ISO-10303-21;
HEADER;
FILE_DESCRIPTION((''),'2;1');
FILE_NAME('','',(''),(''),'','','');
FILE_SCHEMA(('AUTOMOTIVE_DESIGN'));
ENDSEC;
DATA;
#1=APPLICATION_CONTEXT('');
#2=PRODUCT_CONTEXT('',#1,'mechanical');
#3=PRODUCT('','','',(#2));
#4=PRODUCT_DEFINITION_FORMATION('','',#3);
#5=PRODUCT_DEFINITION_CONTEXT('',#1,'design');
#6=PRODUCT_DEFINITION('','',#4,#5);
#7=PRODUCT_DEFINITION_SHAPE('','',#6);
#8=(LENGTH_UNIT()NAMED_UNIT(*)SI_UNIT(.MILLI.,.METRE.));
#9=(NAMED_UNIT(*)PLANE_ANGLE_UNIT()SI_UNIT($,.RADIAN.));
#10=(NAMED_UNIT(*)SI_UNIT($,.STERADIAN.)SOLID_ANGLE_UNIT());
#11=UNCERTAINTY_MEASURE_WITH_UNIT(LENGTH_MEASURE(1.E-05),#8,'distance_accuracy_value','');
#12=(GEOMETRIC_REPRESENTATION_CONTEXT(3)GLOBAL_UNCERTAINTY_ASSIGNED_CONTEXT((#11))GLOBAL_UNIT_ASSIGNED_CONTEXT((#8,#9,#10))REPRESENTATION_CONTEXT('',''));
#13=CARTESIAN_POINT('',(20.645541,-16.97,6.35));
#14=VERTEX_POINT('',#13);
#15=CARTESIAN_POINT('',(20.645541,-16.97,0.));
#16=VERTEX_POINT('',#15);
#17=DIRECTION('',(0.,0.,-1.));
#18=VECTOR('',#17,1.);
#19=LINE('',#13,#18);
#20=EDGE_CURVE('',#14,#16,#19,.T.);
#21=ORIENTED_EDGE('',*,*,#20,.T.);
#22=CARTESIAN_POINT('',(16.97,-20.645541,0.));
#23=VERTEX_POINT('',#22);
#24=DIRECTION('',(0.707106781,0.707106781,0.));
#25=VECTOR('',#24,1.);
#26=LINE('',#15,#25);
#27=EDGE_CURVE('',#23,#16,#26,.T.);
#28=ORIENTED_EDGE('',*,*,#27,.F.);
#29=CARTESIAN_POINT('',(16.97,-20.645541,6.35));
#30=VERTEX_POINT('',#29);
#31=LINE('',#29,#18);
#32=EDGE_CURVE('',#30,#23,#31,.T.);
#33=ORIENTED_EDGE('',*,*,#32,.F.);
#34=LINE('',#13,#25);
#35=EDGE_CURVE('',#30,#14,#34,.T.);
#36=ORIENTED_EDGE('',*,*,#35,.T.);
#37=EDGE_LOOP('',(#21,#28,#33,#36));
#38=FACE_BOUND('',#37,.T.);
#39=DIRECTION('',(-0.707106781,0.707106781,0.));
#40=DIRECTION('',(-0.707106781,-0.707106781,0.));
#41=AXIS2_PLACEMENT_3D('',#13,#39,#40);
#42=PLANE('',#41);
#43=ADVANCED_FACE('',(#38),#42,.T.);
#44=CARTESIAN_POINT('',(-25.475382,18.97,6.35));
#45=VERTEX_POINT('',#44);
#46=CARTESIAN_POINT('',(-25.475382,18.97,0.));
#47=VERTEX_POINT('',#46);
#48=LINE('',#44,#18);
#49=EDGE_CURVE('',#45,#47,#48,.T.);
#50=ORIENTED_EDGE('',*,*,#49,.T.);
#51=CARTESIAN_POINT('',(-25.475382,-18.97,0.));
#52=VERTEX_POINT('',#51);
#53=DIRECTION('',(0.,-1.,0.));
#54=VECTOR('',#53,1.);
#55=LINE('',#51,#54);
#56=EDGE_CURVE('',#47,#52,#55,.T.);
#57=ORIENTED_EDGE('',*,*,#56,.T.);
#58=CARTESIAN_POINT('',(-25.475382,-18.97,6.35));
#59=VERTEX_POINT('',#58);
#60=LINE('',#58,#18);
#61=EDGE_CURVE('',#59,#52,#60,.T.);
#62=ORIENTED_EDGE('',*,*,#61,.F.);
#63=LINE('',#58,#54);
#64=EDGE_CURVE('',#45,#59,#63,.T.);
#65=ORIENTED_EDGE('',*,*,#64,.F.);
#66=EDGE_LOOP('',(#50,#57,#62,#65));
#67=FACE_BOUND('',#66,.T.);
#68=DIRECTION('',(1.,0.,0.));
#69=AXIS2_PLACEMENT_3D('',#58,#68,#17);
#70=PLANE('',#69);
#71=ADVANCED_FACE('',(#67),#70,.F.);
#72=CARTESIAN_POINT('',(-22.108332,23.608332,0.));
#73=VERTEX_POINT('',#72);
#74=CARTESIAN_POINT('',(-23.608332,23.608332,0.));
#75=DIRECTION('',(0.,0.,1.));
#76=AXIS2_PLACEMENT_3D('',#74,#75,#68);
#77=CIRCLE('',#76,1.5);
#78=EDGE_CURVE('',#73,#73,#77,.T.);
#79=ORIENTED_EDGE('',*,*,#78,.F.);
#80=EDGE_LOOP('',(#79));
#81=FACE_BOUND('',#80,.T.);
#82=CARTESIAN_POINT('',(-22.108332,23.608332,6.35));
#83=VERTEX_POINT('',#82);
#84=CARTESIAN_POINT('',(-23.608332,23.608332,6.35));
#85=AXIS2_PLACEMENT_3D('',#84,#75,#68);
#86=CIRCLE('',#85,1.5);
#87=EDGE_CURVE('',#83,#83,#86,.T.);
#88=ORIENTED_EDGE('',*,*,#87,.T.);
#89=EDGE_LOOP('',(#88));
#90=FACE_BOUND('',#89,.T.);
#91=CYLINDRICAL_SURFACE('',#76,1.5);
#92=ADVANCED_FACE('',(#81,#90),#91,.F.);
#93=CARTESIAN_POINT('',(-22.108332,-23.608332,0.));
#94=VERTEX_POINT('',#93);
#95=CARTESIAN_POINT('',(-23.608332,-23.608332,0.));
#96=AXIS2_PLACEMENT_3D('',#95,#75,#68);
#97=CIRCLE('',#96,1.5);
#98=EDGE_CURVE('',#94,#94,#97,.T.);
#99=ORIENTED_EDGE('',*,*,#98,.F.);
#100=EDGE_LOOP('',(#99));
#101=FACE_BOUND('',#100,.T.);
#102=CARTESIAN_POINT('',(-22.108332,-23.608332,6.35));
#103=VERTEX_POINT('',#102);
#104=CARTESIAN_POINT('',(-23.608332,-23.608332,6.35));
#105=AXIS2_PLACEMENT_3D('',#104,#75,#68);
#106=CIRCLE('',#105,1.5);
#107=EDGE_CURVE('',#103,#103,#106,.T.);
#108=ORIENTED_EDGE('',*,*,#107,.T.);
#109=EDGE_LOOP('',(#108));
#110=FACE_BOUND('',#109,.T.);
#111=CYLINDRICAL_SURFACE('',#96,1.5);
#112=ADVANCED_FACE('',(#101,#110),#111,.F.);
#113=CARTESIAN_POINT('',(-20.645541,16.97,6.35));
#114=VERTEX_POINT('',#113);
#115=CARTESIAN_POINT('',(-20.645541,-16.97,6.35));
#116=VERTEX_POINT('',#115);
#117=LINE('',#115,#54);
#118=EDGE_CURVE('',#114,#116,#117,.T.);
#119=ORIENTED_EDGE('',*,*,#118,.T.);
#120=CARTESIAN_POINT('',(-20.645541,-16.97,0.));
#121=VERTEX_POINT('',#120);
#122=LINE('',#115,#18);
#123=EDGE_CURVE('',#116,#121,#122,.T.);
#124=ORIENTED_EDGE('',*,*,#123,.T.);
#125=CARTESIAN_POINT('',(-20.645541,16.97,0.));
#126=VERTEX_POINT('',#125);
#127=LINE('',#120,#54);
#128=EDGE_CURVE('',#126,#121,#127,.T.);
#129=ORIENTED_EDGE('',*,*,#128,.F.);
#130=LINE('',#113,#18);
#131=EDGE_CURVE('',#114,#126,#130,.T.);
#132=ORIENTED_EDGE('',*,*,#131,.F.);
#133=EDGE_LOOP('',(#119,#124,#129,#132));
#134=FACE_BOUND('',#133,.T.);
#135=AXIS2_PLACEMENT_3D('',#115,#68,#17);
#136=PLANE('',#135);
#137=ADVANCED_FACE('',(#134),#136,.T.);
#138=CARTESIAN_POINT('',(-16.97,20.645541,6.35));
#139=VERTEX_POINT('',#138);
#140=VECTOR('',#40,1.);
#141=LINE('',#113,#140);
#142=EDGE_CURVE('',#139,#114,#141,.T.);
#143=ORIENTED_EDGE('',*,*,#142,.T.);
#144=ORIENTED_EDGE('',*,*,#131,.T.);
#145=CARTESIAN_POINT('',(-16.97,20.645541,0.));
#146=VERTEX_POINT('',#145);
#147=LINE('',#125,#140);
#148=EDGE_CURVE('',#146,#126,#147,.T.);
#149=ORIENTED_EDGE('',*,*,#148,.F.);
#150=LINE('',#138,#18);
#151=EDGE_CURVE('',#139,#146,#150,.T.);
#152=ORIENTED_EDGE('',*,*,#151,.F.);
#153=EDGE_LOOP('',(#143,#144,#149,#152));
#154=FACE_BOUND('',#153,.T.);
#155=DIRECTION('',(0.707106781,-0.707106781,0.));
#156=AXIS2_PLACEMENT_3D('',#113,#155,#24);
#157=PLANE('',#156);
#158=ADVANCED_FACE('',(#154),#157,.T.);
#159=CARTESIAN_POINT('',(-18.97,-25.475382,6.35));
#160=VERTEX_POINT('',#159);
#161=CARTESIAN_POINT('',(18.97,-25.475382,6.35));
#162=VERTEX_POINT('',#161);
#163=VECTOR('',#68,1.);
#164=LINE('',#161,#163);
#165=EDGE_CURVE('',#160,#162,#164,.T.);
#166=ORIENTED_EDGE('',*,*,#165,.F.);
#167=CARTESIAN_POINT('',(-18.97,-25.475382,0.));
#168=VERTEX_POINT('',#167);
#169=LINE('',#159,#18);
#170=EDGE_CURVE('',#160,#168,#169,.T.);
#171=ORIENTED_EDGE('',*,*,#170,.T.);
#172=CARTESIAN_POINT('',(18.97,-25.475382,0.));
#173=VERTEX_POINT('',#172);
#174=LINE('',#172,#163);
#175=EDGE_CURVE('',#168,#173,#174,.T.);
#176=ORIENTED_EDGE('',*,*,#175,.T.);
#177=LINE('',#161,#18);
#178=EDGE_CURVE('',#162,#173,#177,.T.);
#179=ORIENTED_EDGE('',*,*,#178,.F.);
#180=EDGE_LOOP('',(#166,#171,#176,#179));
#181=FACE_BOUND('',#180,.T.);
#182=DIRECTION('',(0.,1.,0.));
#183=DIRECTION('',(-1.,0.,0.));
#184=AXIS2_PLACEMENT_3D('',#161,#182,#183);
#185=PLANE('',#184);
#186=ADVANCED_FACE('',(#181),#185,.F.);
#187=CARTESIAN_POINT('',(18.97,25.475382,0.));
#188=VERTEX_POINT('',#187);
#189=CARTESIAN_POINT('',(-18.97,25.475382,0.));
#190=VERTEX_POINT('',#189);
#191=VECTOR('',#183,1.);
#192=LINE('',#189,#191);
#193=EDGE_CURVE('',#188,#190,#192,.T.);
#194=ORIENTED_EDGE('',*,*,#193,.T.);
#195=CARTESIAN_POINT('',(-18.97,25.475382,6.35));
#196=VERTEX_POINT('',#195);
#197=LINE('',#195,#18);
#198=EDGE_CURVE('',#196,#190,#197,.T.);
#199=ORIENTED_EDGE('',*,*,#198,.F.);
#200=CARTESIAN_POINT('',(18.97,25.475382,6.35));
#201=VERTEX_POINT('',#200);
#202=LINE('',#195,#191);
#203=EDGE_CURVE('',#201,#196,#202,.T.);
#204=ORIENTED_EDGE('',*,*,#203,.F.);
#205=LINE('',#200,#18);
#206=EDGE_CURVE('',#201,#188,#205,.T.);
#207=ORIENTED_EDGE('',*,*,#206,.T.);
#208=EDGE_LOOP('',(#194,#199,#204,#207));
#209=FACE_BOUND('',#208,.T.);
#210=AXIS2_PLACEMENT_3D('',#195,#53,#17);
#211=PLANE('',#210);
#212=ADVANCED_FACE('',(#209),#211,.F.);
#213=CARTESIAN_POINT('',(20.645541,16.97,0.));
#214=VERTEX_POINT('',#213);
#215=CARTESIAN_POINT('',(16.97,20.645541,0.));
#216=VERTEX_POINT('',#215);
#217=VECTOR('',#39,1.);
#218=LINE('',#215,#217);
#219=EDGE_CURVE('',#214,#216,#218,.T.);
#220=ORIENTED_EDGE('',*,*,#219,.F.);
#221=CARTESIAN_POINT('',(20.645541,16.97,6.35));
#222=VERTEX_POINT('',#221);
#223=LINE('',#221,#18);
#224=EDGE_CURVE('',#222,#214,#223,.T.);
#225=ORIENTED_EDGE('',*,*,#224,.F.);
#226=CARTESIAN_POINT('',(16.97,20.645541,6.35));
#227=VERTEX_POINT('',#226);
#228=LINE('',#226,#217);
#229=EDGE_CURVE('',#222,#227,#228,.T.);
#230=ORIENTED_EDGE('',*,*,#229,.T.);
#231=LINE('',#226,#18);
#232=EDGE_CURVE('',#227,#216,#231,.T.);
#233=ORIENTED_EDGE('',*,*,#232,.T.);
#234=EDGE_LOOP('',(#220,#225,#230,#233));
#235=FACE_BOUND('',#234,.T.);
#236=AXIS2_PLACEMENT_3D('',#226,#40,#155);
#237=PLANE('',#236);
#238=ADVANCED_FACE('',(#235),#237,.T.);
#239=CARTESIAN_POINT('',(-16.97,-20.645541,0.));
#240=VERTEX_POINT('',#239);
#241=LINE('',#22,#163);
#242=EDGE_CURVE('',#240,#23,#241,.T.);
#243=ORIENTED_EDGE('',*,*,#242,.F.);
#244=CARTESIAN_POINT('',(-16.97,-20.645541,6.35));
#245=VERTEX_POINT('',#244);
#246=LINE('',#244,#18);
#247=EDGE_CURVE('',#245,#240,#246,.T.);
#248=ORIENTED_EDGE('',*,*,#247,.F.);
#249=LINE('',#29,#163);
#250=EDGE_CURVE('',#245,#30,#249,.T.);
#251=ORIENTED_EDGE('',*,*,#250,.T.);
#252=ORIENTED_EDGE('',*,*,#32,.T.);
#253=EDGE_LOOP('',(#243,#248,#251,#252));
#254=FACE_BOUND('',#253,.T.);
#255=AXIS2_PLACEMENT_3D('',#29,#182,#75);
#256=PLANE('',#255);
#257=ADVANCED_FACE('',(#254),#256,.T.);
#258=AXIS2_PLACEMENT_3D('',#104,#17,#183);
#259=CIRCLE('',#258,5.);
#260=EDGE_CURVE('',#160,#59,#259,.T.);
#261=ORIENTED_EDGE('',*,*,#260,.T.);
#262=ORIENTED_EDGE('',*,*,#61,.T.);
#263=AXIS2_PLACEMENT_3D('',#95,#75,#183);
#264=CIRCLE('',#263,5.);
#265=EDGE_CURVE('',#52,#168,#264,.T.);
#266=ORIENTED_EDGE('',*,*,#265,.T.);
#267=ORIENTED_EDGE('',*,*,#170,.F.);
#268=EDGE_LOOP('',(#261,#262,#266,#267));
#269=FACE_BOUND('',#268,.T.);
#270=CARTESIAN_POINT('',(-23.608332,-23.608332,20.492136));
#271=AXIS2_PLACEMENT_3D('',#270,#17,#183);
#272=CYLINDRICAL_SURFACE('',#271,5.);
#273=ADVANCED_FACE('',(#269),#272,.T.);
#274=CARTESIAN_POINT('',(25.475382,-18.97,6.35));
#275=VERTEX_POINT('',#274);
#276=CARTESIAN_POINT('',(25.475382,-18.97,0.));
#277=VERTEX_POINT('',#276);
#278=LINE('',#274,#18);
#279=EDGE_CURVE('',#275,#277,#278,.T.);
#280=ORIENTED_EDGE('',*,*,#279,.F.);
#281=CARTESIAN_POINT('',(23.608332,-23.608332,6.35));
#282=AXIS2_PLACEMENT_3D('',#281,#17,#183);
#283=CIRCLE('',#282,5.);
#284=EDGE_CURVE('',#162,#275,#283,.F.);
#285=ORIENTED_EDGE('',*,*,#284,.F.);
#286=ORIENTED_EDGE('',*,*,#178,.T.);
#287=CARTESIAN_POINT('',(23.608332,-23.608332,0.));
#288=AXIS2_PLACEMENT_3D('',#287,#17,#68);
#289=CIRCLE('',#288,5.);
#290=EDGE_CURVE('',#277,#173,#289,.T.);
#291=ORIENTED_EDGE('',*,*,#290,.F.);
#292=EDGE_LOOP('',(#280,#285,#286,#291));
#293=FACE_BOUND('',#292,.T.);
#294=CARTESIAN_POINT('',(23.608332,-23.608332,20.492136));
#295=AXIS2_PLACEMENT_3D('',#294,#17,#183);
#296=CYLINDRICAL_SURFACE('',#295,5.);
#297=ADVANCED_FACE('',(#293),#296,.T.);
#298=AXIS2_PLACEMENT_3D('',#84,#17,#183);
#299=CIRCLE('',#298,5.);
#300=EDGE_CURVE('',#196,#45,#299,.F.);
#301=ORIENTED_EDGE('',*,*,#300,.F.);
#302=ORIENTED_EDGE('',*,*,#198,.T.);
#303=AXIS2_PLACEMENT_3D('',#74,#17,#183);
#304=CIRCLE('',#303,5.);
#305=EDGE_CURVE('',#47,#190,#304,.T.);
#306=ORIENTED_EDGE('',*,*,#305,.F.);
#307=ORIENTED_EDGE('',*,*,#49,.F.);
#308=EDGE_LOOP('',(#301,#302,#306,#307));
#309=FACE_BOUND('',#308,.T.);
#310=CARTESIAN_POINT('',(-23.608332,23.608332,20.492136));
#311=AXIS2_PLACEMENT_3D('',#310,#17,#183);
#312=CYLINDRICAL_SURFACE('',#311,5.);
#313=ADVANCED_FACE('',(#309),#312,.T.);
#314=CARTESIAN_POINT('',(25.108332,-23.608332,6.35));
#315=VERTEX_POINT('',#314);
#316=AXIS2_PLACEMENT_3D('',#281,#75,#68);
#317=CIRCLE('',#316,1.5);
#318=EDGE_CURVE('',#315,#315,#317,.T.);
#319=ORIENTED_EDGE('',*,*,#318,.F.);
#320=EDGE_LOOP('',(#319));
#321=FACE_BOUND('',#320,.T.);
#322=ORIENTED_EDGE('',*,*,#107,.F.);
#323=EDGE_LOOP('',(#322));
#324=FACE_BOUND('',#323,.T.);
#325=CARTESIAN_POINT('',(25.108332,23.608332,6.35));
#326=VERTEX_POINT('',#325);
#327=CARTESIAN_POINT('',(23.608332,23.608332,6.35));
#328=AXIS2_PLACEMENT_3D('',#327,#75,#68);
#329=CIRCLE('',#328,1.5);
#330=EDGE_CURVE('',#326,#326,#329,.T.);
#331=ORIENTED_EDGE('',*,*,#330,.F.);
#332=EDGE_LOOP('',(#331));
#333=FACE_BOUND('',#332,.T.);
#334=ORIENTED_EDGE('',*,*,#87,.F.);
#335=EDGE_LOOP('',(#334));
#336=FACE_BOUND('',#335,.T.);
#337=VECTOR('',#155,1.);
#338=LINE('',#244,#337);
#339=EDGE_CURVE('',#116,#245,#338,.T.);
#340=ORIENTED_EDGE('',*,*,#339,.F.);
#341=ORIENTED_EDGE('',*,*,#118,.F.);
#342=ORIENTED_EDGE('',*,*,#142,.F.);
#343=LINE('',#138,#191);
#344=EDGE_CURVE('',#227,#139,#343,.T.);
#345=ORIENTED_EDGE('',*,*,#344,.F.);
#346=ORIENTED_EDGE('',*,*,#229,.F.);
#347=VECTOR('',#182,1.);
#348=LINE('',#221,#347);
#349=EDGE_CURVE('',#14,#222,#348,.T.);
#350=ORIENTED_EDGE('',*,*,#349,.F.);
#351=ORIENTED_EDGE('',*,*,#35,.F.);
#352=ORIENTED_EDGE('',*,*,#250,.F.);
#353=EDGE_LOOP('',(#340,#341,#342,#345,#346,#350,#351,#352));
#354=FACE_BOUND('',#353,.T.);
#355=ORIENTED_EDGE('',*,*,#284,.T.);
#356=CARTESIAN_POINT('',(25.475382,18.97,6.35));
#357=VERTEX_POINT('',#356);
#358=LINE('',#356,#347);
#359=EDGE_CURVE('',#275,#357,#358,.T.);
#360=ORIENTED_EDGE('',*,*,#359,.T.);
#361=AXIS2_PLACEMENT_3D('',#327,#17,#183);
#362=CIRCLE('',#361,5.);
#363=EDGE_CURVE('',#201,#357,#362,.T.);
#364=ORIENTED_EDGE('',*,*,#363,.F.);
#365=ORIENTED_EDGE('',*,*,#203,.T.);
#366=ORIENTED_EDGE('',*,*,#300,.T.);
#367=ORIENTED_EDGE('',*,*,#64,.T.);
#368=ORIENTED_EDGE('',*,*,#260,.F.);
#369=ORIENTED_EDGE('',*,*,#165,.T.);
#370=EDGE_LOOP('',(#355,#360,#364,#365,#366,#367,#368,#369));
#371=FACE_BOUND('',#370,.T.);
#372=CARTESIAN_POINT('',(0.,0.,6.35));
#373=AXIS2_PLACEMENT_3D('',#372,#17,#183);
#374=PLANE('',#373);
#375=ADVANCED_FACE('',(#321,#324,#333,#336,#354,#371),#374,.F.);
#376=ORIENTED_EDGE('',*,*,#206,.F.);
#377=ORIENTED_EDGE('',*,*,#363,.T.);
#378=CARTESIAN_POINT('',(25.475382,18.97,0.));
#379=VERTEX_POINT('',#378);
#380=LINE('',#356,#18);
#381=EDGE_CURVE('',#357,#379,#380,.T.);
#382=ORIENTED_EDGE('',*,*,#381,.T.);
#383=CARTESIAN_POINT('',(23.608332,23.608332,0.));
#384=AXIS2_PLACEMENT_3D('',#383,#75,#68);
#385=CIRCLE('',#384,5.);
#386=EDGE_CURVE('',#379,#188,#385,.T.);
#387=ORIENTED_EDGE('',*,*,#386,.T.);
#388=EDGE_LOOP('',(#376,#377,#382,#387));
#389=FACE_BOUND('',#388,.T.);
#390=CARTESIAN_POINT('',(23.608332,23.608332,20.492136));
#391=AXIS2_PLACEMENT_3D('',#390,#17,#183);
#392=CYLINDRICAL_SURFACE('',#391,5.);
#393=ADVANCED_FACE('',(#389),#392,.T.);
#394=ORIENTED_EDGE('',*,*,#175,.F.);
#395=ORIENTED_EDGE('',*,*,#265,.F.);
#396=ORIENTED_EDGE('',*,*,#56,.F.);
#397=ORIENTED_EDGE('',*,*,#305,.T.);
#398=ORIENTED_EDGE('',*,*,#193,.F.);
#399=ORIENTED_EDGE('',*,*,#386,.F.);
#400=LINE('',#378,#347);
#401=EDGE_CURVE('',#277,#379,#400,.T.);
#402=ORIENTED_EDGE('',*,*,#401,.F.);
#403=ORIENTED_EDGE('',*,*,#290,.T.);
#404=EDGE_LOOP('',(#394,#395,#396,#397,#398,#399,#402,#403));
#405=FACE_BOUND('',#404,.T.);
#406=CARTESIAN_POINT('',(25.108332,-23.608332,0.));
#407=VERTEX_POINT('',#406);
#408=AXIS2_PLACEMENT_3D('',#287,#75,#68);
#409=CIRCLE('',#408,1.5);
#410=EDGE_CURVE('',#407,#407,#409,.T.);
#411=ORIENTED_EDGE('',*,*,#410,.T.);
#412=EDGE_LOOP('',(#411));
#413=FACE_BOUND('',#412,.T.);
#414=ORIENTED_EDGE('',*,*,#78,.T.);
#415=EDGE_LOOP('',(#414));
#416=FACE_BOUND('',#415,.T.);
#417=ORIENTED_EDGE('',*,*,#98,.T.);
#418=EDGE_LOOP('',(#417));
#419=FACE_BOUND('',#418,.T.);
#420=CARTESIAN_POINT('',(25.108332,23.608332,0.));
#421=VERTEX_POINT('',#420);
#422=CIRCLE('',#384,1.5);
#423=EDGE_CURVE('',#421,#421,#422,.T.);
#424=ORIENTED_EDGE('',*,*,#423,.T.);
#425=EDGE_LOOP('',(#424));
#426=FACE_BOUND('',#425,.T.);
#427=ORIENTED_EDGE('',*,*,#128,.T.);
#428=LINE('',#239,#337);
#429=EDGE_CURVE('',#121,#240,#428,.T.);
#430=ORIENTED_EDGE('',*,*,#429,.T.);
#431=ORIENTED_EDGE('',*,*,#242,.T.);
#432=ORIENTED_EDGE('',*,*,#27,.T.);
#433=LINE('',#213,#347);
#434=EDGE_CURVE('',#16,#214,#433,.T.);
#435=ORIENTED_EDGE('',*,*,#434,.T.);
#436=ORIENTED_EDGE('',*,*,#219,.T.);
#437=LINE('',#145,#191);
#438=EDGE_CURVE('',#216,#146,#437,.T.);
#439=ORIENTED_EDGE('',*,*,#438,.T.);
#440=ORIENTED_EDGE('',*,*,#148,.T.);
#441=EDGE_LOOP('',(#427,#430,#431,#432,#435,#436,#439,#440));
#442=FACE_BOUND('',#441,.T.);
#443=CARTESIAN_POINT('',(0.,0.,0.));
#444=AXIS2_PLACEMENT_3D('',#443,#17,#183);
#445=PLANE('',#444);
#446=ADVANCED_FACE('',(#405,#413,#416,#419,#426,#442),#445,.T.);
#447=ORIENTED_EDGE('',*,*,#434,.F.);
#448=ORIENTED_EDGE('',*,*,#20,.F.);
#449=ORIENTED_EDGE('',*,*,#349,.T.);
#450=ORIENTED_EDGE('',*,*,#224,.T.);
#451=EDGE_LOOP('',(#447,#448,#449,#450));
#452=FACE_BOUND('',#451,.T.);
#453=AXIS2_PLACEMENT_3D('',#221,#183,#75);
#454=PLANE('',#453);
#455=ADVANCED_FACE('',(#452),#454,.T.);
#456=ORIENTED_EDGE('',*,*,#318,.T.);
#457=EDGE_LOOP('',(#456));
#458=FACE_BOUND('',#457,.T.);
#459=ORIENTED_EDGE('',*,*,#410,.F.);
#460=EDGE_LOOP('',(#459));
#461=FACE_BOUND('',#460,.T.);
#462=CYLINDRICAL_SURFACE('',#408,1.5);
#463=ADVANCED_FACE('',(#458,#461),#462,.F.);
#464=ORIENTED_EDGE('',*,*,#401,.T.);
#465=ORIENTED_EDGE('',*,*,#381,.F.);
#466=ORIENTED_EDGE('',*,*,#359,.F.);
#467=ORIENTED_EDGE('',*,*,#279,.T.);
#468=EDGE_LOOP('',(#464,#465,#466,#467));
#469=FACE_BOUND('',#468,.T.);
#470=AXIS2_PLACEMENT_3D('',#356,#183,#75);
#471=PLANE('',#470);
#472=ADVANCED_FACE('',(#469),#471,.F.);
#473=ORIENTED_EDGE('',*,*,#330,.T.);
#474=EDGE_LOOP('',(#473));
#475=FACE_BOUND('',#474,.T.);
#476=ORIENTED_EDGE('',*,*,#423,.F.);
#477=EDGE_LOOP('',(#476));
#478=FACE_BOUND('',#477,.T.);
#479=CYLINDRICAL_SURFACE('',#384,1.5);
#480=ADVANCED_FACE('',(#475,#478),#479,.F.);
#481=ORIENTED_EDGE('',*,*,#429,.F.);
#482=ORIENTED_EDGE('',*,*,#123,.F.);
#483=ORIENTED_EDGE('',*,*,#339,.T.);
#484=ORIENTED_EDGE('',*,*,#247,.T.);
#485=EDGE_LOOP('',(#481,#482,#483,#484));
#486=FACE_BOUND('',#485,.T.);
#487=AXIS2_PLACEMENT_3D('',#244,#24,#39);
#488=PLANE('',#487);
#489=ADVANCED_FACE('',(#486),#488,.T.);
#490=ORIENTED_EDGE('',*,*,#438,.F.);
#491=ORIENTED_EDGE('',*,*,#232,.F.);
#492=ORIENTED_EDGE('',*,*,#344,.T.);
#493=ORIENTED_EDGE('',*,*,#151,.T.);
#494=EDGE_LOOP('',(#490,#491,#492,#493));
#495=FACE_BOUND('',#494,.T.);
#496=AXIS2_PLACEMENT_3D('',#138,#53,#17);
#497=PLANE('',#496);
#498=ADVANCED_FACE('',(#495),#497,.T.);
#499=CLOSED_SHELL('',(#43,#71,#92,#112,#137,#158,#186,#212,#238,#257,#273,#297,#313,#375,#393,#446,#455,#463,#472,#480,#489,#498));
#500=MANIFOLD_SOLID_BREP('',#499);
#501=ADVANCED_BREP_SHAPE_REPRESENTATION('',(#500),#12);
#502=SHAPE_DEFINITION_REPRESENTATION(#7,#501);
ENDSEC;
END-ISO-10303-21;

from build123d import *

# Parameters (mm, degrees)
BOSS_EXTRU_2_DEPTH        = 6.35
ESQUISSE29_R              = 5
BOSS_EXTRU_3_DEPTH        = 6.35
SYM_TRIE2_COPY_1_SKETCH_R = 5
SYM_TRIE2_COPY_1_DEPTH    = 6.35
ESQUISSE30_R              = 1.5
ENL_V_MAT_EXTRU_1_DEPTH   = 41.953581056


with BuildPart() as part:
    # Esquisse28 → Boss.-Extru.2 (new body)
    with BuildSketch(Plane.XY):
        Polygon((-18.97, -25.475382387), (-25.475382387, -18.97), (-25.475382387, 18.97), (-18.97, 25.475382387), (18.97, 25.475382387), (25.475382387, 18.97), (25.475382387, -18.97), (18.97, -25.475382387), align=None)
        Polygon((-16.97, -20.645541049), (-20.645541049, -16.97), (-20.645541049, 16.97), (-16.97, 20.645541049), (16.97, 20.645541049), (20.645541049, 16.97), (20.645541049, -16.97), (16.97, -20.645541049), align=None, mode=Mode.SUBTRACT)
    extrude(amount=BOSS_EXTRU_2_DEPTH)

    # Esquisse29 → Boss.-Extru.3 (add)
    with BuildSketch(Plane.XY):
        with Locations((23.60833184, 23.60833184)):
            Circle(ESQUISSE29_R)
    boss_extru_3 = extrude(amount=BOSS_EXTRU_3_DEPTH)

    # Symétrie1: Boss.-Extru.3 across plane
    add(boss_extru_3.mirror(Plane(origin=(0, 0, 0), x_dir=(0, 0, 1), z_dir=(1, 0, 0))))

    # Symétrie2: Boss.-Extru.3 across plane
    add(boss_extru_3.mirror(Plane.ZX))

    # Symétrie2 copy 1 sketch → Symétrie2 copy 1 (add)
    with BuildSketch(Plane(origin=(0, 0, 0), x_dir=(-1, 0, 0), z_dir=(0, 0, 1))):
        with Locations((23.60833184, 23.60833184)):
            Circle(SYM_TRIE2_COPY_1_SKETCH_R)
    extrude(amount=SYM_TRIE2_COPY_1_DEPTH)

    # Esquisse30 → Enlèv. mat.-Extru.1 (cut, through all)
    with BuildSketch(Plane.XY.offset(6.35)):
        with Locations((-23.60833184, 23.60833184)):
            Circle(ESQUISSE30_R)
        with Locations((23.60833184, 23.60833184)):
            Circle(ESQUISSE30_R)
        with Locations((23.60833184, -23.60833184)):
            Circle(ESQUISSE30_R)
        with Locations((-23.60833184, -23.60833184)):
            Circle(ESQUISSE30_R)
    extrude(amount=-ENL_V_MAT_EXTRU_1_DEPTH, mode=Mode.SUBTRACT)


solid = part.part
